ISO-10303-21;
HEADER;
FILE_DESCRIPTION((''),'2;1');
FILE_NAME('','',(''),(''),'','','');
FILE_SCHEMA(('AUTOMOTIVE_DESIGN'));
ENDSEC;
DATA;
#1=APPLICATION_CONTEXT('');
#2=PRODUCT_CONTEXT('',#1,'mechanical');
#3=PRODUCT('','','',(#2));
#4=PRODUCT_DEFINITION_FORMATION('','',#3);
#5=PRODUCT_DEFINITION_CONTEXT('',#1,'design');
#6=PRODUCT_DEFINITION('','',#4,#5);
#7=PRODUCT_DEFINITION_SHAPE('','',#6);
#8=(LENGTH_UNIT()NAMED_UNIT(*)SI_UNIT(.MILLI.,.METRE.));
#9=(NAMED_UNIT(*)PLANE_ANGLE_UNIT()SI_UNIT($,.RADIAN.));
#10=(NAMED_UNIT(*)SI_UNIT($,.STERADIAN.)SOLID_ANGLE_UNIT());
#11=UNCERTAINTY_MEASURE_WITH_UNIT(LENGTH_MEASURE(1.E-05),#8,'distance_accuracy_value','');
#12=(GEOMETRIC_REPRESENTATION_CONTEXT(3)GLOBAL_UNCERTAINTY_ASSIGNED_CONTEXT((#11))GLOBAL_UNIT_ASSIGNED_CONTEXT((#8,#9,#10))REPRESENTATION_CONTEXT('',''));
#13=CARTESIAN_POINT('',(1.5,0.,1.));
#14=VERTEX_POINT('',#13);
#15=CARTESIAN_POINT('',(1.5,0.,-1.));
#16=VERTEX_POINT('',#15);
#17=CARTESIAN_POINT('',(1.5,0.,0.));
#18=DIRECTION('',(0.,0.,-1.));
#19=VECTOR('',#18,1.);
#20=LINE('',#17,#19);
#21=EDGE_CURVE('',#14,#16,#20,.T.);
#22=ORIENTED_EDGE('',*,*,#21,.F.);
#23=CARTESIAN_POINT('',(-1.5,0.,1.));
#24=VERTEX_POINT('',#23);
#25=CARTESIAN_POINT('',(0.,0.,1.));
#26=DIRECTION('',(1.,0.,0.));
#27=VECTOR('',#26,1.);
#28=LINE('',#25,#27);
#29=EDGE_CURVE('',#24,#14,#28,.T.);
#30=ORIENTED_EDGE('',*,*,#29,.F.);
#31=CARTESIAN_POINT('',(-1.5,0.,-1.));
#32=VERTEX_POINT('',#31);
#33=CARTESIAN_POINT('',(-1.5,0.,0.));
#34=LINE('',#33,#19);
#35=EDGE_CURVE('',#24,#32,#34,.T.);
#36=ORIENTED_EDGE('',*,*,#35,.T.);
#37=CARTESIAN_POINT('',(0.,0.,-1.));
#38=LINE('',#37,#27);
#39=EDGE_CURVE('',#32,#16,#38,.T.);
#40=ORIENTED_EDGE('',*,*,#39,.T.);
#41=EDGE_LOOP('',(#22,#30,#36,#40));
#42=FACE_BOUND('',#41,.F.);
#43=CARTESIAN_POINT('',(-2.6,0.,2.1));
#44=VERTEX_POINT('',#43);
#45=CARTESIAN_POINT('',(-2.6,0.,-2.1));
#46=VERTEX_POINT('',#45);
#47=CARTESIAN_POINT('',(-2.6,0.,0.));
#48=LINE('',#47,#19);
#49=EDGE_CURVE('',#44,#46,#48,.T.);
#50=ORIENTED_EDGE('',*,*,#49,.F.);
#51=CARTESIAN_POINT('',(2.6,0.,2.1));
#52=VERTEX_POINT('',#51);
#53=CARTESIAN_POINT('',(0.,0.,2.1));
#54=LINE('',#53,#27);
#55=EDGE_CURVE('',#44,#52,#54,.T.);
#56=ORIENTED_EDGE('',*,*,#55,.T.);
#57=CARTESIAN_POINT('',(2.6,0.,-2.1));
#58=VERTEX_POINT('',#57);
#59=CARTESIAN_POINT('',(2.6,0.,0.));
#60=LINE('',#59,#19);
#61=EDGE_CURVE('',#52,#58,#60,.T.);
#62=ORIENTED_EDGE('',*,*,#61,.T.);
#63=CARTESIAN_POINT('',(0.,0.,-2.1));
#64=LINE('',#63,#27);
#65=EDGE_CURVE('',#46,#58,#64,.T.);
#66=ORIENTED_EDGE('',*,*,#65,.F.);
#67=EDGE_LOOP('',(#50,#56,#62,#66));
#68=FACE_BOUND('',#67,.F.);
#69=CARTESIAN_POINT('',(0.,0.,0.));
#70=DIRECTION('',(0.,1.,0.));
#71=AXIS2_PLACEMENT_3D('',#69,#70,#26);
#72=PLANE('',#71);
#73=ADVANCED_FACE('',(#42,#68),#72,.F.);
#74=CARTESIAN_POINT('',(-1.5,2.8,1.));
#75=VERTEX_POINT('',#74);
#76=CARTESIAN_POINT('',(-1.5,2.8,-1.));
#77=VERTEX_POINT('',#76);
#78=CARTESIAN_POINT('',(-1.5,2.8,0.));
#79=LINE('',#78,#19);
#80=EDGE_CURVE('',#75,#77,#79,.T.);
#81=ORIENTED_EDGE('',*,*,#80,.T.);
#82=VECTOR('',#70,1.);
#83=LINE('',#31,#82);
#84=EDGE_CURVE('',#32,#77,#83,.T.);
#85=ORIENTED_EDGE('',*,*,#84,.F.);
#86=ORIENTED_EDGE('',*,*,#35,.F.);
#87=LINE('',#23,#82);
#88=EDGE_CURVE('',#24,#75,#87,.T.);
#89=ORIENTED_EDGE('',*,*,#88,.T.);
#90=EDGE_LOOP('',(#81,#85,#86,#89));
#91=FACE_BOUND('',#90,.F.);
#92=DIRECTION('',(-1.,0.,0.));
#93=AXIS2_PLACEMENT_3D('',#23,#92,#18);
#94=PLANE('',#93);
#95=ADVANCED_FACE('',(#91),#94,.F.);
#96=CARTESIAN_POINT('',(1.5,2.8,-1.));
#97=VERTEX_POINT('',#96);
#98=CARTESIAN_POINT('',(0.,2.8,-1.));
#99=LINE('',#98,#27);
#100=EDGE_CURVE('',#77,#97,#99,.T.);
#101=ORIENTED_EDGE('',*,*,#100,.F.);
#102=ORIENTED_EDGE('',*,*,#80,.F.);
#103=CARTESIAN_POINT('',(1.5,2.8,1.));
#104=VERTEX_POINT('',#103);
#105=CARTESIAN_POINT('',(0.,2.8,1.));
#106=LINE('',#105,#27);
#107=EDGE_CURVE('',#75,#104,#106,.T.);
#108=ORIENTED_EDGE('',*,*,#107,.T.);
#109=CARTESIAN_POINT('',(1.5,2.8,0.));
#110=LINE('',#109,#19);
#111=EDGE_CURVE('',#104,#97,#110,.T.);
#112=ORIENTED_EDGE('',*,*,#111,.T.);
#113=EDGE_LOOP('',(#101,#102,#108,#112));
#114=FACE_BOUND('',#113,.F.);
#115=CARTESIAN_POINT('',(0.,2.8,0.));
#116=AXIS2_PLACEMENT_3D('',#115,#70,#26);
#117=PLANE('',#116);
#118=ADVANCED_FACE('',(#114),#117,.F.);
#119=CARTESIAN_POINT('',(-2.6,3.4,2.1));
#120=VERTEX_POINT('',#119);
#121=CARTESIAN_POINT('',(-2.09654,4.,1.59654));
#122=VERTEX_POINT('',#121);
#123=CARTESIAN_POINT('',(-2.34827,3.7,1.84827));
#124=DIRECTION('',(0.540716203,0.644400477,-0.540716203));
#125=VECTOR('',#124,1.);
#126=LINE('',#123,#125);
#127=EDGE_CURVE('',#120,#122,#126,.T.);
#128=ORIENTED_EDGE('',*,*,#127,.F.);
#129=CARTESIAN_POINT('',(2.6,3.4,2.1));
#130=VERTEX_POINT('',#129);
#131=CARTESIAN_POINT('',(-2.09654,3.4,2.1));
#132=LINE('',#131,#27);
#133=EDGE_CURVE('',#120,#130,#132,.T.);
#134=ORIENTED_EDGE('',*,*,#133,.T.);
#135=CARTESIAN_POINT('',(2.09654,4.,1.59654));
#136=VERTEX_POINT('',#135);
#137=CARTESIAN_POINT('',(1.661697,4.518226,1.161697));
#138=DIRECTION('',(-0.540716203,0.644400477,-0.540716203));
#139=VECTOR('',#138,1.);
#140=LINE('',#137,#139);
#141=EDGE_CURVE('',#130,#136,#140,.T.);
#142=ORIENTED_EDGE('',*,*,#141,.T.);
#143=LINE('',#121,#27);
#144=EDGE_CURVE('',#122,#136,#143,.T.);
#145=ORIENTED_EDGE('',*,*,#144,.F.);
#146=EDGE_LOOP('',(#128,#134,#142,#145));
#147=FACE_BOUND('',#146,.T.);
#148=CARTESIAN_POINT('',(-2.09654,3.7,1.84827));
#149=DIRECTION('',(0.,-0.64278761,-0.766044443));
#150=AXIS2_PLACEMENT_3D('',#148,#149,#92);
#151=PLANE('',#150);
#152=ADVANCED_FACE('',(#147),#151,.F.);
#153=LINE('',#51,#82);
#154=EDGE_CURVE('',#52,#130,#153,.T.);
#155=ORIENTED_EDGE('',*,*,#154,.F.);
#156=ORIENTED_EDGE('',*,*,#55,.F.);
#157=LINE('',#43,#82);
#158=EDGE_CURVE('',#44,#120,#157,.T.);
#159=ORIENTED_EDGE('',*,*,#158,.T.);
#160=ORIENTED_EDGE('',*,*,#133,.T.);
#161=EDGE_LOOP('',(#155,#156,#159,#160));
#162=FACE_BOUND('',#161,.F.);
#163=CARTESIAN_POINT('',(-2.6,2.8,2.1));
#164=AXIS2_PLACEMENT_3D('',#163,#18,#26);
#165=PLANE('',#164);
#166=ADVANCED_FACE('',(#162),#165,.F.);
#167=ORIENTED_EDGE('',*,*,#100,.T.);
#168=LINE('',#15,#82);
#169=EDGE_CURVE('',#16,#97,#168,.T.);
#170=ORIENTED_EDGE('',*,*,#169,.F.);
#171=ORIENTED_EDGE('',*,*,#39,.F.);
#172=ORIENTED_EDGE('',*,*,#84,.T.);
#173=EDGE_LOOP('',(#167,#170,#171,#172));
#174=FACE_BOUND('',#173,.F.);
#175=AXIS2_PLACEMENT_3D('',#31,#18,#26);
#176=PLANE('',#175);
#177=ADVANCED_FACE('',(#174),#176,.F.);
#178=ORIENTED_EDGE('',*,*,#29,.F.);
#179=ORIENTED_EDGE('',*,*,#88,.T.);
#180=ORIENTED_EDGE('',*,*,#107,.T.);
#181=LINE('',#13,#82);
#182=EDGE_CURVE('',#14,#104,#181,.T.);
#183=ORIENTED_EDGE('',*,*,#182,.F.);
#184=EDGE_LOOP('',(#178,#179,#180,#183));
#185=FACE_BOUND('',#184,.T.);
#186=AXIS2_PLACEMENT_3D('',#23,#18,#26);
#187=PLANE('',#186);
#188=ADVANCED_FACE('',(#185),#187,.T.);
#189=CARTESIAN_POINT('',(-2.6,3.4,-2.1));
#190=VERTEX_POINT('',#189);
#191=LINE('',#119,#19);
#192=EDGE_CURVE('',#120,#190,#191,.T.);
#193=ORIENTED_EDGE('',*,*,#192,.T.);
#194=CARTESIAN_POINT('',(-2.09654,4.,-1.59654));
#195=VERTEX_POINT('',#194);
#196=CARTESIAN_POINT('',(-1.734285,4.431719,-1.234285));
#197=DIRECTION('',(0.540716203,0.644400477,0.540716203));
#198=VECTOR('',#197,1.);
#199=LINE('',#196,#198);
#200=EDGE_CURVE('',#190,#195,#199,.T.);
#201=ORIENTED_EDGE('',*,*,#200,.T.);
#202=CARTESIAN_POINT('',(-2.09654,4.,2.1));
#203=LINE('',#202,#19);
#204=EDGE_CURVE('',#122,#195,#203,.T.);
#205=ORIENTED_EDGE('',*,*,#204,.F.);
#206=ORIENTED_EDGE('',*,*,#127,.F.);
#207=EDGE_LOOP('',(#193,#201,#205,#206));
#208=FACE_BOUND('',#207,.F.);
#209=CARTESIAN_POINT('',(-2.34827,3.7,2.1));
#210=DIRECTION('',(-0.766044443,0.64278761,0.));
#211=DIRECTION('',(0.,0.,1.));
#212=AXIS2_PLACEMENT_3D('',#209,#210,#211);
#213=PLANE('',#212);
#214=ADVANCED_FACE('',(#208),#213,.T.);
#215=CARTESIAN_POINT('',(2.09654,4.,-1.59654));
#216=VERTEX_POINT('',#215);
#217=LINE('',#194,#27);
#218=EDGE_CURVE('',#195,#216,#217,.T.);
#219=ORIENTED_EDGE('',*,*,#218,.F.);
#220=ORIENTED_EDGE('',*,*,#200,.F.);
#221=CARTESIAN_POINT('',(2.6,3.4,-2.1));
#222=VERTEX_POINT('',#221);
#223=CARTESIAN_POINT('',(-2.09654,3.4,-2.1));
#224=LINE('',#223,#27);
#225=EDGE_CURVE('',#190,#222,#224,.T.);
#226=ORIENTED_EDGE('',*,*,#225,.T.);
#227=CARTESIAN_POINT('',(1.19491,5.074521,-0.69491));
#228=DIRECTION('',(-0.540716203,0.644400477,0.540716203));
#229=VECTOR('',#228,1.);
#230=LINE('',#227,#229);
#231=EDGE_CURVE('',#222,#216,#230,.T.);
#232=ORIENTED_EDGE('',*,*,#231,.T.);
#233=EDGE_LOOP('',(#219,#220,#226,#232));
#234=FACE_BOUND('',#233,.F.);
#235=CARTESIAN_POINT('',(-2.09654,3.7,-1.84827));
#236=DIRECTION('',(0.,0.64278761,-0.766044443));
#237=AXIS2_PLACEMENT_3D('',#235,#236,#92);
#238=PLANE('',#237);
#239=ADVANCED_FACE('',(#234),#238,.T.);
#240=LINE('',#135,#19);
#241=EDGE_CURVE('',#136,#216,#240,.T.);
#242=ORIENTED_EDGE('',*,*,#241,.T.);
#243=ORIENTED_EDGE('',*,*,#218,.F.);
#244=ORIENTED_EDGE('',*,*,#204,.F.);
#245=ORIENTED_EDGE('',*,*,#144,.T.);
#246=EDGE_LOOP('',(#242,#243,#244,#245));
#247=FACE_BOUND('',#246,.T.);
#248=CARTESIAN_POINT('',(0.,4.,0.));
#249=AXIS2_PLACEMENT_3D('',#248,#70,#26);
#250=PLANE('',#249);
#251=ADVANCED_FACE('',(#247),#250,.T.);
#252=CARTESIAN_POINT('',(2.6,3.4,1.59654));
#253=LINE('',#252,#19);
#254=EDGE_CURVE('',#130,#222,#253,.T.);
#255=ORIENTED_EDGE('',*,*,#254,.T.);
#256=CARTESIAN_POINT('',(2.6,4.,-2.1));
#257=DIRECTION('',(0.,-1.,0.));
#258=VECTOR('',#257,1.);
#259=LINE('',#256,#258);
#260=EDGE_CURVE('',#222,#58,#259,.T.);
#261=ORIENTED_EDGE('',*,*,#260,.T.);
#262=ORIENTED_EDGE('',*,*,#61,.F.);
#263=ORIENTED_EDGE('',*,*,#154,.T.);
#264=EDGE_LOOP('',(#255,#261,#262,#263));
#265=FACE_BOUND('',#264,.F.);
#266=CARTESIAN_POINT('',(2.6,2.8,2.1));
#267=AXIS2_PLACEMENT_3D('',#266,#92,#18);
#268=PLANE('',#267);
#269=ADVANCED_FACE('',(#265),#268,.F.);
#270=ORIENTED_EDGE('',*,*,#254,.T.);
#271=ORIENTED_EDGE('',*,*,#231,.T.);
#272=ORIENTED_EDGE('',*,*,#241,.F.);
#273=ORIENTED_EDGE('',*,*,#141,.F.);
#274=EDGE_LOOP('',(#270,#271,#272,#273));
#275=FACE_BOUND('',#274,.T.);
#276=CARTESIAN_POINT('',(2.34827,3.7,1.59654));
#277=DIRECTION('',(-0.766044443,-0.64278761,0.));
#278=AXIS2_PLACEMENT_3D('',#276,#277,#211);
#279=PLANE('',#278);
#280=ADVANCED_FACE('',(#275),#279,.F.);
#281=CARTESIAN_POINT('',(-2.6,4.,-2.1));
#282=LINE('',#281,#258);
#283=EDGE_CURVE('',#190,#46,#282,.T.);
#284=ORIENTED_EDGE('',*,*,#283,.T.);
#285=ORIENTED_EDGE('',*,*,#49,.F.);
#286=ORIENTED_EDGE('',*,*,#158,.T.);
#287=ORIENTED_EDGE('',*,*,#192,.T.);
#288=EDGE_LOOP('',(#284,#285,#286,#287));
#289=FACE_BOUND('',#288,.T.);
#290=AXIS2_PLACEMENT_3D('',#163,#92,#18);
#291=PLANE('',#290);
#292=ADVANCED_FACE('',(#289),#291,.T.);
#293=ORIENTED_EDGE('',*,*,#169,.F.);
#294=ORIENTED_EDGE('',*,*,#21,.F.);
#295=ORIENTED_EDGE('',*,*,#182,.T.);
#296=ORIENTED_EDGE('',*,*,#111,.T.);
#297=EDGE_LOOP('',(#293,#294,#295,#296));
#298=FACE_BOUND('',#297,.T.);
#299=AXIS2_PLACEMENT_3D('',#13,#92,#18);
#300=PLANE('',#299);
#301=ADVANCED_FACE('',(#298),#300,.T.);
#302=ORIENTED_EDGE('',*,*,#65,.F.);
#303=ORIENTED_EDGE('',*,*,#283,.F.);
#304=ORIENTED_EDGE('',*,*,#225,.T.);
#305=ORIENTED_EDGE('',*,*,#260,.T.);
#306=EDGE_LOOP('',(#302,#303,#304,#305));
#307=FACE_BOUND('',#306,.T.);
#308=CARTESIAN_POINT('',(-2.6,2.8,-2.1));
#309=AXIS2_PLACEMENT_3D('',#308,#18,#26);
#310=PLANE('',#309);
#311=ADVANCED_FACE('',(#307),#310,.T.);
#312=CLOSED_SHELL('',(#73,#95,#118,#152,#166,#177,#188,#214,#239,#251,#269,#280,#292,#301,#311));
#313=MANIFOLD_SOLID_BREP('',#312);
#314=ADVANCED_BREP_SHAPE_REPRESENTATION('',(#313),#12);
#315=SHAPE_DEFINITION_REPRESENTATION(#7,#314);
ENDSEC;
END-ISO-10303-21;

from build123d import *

# Parameters (mm, degrees)
SKETCH1_W                = 5.2
SKETCH1_H                = 4.2
SKETCH1_W_2              = 3
SKETCH1_H_2              = 2
BODY_EXTRUDE_DEPTH       = 2.8
SKETCH2_W                = 5.2
SKETCH2_H                = 4.2
CAP_EXTRUDE_DEPTH        = 1.2
BED_CHAMFER_SIZE         = 0.6
BED_CHAMFER_SIZE2        = 0.503459779
BED_CHAMFER_PART_2_SIZE  = 0.6
BED_CHAMFER_PART_2_SIZE2 = 0.503459779
BED_CHAMFER_PART_3_SIZE  = 0.6
BED_CHAMFER_PART_3_SIZE2 = 0.503459779
BED_CHAMFER_PART_4_SIZE  = 0.6
BED_CHAMFER_PART_4_SIZE2 = 0.503459779


with BuildPart() as part:
    # Sketch1 → Body Extrude (new body)
    with BuildSketch(Plane(origin=(0, 0, 0), x_dir=(1, 0, 0), z_dir=(0, 1, 0))):
        Rectangle(SKETCH1_W, SKETCH1_H)
        Rectangle(SKETCH1_W_2, SKETCH1_H_2, mode=Mode.SUBTRACT)
    extrude(amount=BODY_EXTRUDE_DEPTH)

    # Sketch2 → Cap Extrude (add)
    with BuildSketch(Plane(origin=(0, 2.8, 0), x_dir=(1, 0, 0), z_dir=(0, 1, 0))):
        Rectangle(SKETCH2_W, SKETCH2_H)
    extrude(amount=CAP_EXTRUDE_DEPTH)

    # Bed Chamfer
    bed_chamfer_edges = [part.edges().sort_by_distance(p)[0] for p in [
        (-2.6, 4, 0),
    ]]
    bed_chamfer_side = [part.faces().sort_by_distance(p)[0] for p in [
        (-2.6, 2, 0),
    ]]
    chamfer(bed_chamfer_edges, length=BED_CHAMFER_SIZE, length2=BED_CHAMFER_SIZE2, reference=bed_chamfer_side[0])

    # Bed Chamfer part 2
    bed_chamfer_part_2_edges = [part.edges().sort_by_distance(p)[0] for p in [
        (0, 4, 2.1),
    ]]
    bed_chamfer_part_2_side = [part.faces().sort_by_distance(p)[0] for p in [
        (0, 2, 2.1),
    ]]
    chamfer(bed_chamfer_part_2_edges, length=BED_CHAMFER_PART_2_SIZE, length2=BED_CHAMFER_PART_2_SIZE2, reference=bed_chamfer_part_2_side[0])

    # Bed Chamfer part 3
    bed_chamfer_part_3_edges = [part.edges().sort_by_distance(p)[0] for p in [
        (2.6, 4, 0),
    ]]
    bed_chamfer_part_3_side = [part.faces().sort_by_distance(p)[0] for p in [
        (2.6, 2, 0),
    ]]
    chamfer(bed_chamfer_part_3_edges, length=BED_CHAMFER_PART_3_SIZE, length2=BED_CHAMFER_PART_3_SIZE2, reference=bed_chamfer_part_3_side[0])

    # Bed Chamfer part 4
    bed_chamfer_part_4_edges = [part.edges().sort_by_distance(p)[0] for p in [
        (0, 4, -2.1),
    ]]
    bed_chamfer_part_4_side = [part.faces().sort_by_distance(p)[0] for p in [
        (0, 2, -2.1),
    ]]
    chamfer(bed_chamfer_part_4_edges, length=BED_CHAMFER_PART_4_SIZE, length2=BED_CHAMFER_PART_4_SIZE2, reference=bed_chamfer_part_4_side[0])


solid = part.part
